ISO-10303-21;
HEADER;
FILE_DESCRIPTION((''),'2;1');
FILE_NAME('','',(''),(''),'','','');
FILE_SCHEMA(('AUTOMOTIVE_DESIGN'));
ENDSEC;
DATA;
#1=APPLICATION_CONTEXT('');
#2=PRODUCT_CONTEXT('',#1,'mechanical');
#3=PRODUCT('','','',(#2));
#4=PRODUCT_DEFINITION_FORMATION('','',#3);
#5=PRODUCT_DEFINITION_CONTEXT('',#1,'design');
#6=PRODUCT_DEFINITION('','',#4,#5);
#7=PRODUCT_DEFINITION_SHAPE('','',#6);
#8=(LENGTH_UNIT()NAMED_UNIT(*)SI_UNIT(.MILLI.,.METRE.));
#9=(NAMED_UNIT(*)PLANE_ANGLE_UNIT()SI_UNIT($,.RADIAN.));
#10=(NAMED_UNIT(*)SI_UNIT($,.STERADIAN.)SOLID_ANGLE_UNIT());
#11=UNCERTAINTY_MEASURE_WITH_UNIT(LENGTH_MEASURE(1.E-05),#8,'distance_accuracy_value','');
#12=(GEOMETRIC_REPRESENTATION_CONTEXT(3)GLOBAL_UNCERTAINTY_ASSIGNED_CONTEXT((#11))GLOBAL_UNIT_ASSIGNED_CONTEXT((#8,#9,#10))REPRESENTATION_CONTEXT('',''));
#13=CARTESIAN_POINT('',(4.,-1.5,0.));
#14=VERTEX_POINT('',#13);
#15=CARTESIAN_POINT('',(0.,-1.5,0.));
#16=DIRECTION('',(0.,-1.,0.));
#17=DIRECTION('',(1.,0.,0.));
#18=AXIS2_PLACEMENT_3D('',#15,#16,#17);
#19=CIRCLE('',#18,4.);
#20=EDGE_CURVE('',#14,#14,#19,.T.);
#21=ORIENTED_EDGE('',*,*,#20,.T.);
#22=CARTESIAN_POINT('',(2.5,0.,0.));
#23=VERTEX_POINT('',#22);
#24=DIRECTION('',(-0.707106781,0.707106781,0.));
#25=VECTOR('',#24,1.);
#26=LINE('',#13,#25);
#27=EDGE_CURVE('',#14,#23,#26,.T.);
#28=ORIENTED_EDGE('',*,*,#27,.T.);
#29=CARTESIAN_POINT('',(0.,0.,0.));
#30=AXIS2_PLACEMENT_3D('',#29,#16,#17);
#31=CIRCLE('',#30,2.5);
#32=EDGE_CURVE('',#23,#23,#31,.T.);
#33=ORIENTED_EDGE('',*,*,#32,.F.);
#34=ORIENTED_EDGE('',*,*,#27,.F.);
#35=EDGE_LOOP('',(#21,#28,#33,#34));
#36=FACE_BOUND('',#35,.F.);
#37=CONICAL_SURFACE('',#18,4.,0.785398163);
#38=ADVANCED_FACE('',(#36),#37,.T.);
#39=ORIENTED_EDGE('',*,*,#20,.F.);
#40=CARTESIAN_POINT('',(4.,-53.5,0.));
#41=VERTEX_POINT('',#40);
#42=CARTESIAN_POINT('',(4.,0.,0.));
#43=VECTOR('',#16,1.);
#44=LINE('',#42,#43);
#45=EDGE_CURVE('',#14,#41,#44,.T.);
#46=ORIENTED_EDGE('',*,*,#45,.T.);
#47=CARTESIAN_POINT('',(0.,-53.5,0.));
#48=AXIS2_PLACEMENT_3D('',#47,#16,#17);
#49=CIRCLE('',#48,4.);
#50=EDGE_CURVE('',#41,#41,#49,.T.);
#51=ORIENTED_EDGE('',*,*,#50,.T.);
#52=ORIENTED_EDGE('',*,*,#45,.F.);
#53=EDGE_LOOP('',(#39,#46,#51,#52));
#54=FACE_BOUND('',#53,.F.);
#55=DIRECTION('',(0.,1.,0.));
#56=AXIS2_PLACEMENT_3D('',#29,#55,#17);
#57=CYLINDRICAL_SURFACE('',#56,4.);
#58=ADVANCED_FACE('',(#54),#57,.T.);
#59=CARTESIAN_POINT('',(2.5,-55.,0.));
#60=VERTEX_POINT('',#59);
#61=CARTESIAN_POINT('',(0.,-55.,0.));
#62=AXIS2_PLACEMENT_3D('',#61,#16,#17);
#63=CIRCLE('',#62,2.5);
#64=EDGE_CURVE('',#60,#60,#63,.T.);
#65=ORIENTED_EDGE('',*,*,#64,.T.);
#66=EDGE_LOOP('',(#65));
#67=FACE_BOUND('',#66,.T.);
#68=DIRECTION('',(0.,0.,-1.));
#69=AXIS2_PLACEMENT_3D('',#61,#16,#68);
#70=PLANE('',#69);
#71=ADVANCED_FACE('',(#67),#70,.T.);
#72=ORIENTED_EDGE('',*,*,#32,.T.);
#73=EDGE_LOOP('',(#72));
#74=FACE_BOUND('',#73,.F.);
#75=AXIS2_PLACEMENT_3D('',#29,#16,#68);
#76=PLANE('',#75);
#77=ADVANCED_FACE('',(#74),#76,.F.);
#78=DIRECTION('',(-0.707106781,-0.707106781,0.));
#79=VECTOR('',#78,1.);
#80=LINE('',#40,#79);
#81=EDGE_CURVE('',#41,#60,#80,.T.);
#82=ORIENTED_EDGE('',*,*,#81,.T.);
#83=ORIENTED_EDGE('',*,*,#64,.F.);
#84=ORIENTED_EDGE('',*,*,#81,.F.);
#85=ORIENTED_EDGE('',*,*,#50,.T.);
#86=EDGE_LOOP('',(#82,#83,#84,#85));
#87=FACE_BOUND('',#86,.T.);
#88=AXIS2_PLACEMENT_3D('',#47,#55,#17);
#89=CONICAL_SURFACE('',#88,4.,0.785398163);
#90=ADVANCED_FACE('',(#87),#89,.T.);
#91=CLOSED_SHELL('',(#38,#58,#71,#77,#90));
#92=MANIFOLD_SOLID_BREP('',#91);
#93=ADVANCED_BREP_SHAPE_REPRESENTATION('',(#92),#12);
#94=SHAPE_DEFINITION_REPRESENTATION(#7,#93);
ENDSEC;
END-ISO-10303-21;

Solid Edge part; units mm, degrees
sketch "Sketch1" plane through (0, 0, 0) normal (0, -1, 0) x (1, 0, 0)
  circle A0 centre (0, 0) radius 4
  dimension "D1" = 8
extrude "Protrusion1" add sketch "Sketch1" along normal blind 55
chamfer "Fase_1" distance 1.5 angle 45 2 edges at (-4, -55, 0) (-4, 0, 0)
properties material "Stahl"
